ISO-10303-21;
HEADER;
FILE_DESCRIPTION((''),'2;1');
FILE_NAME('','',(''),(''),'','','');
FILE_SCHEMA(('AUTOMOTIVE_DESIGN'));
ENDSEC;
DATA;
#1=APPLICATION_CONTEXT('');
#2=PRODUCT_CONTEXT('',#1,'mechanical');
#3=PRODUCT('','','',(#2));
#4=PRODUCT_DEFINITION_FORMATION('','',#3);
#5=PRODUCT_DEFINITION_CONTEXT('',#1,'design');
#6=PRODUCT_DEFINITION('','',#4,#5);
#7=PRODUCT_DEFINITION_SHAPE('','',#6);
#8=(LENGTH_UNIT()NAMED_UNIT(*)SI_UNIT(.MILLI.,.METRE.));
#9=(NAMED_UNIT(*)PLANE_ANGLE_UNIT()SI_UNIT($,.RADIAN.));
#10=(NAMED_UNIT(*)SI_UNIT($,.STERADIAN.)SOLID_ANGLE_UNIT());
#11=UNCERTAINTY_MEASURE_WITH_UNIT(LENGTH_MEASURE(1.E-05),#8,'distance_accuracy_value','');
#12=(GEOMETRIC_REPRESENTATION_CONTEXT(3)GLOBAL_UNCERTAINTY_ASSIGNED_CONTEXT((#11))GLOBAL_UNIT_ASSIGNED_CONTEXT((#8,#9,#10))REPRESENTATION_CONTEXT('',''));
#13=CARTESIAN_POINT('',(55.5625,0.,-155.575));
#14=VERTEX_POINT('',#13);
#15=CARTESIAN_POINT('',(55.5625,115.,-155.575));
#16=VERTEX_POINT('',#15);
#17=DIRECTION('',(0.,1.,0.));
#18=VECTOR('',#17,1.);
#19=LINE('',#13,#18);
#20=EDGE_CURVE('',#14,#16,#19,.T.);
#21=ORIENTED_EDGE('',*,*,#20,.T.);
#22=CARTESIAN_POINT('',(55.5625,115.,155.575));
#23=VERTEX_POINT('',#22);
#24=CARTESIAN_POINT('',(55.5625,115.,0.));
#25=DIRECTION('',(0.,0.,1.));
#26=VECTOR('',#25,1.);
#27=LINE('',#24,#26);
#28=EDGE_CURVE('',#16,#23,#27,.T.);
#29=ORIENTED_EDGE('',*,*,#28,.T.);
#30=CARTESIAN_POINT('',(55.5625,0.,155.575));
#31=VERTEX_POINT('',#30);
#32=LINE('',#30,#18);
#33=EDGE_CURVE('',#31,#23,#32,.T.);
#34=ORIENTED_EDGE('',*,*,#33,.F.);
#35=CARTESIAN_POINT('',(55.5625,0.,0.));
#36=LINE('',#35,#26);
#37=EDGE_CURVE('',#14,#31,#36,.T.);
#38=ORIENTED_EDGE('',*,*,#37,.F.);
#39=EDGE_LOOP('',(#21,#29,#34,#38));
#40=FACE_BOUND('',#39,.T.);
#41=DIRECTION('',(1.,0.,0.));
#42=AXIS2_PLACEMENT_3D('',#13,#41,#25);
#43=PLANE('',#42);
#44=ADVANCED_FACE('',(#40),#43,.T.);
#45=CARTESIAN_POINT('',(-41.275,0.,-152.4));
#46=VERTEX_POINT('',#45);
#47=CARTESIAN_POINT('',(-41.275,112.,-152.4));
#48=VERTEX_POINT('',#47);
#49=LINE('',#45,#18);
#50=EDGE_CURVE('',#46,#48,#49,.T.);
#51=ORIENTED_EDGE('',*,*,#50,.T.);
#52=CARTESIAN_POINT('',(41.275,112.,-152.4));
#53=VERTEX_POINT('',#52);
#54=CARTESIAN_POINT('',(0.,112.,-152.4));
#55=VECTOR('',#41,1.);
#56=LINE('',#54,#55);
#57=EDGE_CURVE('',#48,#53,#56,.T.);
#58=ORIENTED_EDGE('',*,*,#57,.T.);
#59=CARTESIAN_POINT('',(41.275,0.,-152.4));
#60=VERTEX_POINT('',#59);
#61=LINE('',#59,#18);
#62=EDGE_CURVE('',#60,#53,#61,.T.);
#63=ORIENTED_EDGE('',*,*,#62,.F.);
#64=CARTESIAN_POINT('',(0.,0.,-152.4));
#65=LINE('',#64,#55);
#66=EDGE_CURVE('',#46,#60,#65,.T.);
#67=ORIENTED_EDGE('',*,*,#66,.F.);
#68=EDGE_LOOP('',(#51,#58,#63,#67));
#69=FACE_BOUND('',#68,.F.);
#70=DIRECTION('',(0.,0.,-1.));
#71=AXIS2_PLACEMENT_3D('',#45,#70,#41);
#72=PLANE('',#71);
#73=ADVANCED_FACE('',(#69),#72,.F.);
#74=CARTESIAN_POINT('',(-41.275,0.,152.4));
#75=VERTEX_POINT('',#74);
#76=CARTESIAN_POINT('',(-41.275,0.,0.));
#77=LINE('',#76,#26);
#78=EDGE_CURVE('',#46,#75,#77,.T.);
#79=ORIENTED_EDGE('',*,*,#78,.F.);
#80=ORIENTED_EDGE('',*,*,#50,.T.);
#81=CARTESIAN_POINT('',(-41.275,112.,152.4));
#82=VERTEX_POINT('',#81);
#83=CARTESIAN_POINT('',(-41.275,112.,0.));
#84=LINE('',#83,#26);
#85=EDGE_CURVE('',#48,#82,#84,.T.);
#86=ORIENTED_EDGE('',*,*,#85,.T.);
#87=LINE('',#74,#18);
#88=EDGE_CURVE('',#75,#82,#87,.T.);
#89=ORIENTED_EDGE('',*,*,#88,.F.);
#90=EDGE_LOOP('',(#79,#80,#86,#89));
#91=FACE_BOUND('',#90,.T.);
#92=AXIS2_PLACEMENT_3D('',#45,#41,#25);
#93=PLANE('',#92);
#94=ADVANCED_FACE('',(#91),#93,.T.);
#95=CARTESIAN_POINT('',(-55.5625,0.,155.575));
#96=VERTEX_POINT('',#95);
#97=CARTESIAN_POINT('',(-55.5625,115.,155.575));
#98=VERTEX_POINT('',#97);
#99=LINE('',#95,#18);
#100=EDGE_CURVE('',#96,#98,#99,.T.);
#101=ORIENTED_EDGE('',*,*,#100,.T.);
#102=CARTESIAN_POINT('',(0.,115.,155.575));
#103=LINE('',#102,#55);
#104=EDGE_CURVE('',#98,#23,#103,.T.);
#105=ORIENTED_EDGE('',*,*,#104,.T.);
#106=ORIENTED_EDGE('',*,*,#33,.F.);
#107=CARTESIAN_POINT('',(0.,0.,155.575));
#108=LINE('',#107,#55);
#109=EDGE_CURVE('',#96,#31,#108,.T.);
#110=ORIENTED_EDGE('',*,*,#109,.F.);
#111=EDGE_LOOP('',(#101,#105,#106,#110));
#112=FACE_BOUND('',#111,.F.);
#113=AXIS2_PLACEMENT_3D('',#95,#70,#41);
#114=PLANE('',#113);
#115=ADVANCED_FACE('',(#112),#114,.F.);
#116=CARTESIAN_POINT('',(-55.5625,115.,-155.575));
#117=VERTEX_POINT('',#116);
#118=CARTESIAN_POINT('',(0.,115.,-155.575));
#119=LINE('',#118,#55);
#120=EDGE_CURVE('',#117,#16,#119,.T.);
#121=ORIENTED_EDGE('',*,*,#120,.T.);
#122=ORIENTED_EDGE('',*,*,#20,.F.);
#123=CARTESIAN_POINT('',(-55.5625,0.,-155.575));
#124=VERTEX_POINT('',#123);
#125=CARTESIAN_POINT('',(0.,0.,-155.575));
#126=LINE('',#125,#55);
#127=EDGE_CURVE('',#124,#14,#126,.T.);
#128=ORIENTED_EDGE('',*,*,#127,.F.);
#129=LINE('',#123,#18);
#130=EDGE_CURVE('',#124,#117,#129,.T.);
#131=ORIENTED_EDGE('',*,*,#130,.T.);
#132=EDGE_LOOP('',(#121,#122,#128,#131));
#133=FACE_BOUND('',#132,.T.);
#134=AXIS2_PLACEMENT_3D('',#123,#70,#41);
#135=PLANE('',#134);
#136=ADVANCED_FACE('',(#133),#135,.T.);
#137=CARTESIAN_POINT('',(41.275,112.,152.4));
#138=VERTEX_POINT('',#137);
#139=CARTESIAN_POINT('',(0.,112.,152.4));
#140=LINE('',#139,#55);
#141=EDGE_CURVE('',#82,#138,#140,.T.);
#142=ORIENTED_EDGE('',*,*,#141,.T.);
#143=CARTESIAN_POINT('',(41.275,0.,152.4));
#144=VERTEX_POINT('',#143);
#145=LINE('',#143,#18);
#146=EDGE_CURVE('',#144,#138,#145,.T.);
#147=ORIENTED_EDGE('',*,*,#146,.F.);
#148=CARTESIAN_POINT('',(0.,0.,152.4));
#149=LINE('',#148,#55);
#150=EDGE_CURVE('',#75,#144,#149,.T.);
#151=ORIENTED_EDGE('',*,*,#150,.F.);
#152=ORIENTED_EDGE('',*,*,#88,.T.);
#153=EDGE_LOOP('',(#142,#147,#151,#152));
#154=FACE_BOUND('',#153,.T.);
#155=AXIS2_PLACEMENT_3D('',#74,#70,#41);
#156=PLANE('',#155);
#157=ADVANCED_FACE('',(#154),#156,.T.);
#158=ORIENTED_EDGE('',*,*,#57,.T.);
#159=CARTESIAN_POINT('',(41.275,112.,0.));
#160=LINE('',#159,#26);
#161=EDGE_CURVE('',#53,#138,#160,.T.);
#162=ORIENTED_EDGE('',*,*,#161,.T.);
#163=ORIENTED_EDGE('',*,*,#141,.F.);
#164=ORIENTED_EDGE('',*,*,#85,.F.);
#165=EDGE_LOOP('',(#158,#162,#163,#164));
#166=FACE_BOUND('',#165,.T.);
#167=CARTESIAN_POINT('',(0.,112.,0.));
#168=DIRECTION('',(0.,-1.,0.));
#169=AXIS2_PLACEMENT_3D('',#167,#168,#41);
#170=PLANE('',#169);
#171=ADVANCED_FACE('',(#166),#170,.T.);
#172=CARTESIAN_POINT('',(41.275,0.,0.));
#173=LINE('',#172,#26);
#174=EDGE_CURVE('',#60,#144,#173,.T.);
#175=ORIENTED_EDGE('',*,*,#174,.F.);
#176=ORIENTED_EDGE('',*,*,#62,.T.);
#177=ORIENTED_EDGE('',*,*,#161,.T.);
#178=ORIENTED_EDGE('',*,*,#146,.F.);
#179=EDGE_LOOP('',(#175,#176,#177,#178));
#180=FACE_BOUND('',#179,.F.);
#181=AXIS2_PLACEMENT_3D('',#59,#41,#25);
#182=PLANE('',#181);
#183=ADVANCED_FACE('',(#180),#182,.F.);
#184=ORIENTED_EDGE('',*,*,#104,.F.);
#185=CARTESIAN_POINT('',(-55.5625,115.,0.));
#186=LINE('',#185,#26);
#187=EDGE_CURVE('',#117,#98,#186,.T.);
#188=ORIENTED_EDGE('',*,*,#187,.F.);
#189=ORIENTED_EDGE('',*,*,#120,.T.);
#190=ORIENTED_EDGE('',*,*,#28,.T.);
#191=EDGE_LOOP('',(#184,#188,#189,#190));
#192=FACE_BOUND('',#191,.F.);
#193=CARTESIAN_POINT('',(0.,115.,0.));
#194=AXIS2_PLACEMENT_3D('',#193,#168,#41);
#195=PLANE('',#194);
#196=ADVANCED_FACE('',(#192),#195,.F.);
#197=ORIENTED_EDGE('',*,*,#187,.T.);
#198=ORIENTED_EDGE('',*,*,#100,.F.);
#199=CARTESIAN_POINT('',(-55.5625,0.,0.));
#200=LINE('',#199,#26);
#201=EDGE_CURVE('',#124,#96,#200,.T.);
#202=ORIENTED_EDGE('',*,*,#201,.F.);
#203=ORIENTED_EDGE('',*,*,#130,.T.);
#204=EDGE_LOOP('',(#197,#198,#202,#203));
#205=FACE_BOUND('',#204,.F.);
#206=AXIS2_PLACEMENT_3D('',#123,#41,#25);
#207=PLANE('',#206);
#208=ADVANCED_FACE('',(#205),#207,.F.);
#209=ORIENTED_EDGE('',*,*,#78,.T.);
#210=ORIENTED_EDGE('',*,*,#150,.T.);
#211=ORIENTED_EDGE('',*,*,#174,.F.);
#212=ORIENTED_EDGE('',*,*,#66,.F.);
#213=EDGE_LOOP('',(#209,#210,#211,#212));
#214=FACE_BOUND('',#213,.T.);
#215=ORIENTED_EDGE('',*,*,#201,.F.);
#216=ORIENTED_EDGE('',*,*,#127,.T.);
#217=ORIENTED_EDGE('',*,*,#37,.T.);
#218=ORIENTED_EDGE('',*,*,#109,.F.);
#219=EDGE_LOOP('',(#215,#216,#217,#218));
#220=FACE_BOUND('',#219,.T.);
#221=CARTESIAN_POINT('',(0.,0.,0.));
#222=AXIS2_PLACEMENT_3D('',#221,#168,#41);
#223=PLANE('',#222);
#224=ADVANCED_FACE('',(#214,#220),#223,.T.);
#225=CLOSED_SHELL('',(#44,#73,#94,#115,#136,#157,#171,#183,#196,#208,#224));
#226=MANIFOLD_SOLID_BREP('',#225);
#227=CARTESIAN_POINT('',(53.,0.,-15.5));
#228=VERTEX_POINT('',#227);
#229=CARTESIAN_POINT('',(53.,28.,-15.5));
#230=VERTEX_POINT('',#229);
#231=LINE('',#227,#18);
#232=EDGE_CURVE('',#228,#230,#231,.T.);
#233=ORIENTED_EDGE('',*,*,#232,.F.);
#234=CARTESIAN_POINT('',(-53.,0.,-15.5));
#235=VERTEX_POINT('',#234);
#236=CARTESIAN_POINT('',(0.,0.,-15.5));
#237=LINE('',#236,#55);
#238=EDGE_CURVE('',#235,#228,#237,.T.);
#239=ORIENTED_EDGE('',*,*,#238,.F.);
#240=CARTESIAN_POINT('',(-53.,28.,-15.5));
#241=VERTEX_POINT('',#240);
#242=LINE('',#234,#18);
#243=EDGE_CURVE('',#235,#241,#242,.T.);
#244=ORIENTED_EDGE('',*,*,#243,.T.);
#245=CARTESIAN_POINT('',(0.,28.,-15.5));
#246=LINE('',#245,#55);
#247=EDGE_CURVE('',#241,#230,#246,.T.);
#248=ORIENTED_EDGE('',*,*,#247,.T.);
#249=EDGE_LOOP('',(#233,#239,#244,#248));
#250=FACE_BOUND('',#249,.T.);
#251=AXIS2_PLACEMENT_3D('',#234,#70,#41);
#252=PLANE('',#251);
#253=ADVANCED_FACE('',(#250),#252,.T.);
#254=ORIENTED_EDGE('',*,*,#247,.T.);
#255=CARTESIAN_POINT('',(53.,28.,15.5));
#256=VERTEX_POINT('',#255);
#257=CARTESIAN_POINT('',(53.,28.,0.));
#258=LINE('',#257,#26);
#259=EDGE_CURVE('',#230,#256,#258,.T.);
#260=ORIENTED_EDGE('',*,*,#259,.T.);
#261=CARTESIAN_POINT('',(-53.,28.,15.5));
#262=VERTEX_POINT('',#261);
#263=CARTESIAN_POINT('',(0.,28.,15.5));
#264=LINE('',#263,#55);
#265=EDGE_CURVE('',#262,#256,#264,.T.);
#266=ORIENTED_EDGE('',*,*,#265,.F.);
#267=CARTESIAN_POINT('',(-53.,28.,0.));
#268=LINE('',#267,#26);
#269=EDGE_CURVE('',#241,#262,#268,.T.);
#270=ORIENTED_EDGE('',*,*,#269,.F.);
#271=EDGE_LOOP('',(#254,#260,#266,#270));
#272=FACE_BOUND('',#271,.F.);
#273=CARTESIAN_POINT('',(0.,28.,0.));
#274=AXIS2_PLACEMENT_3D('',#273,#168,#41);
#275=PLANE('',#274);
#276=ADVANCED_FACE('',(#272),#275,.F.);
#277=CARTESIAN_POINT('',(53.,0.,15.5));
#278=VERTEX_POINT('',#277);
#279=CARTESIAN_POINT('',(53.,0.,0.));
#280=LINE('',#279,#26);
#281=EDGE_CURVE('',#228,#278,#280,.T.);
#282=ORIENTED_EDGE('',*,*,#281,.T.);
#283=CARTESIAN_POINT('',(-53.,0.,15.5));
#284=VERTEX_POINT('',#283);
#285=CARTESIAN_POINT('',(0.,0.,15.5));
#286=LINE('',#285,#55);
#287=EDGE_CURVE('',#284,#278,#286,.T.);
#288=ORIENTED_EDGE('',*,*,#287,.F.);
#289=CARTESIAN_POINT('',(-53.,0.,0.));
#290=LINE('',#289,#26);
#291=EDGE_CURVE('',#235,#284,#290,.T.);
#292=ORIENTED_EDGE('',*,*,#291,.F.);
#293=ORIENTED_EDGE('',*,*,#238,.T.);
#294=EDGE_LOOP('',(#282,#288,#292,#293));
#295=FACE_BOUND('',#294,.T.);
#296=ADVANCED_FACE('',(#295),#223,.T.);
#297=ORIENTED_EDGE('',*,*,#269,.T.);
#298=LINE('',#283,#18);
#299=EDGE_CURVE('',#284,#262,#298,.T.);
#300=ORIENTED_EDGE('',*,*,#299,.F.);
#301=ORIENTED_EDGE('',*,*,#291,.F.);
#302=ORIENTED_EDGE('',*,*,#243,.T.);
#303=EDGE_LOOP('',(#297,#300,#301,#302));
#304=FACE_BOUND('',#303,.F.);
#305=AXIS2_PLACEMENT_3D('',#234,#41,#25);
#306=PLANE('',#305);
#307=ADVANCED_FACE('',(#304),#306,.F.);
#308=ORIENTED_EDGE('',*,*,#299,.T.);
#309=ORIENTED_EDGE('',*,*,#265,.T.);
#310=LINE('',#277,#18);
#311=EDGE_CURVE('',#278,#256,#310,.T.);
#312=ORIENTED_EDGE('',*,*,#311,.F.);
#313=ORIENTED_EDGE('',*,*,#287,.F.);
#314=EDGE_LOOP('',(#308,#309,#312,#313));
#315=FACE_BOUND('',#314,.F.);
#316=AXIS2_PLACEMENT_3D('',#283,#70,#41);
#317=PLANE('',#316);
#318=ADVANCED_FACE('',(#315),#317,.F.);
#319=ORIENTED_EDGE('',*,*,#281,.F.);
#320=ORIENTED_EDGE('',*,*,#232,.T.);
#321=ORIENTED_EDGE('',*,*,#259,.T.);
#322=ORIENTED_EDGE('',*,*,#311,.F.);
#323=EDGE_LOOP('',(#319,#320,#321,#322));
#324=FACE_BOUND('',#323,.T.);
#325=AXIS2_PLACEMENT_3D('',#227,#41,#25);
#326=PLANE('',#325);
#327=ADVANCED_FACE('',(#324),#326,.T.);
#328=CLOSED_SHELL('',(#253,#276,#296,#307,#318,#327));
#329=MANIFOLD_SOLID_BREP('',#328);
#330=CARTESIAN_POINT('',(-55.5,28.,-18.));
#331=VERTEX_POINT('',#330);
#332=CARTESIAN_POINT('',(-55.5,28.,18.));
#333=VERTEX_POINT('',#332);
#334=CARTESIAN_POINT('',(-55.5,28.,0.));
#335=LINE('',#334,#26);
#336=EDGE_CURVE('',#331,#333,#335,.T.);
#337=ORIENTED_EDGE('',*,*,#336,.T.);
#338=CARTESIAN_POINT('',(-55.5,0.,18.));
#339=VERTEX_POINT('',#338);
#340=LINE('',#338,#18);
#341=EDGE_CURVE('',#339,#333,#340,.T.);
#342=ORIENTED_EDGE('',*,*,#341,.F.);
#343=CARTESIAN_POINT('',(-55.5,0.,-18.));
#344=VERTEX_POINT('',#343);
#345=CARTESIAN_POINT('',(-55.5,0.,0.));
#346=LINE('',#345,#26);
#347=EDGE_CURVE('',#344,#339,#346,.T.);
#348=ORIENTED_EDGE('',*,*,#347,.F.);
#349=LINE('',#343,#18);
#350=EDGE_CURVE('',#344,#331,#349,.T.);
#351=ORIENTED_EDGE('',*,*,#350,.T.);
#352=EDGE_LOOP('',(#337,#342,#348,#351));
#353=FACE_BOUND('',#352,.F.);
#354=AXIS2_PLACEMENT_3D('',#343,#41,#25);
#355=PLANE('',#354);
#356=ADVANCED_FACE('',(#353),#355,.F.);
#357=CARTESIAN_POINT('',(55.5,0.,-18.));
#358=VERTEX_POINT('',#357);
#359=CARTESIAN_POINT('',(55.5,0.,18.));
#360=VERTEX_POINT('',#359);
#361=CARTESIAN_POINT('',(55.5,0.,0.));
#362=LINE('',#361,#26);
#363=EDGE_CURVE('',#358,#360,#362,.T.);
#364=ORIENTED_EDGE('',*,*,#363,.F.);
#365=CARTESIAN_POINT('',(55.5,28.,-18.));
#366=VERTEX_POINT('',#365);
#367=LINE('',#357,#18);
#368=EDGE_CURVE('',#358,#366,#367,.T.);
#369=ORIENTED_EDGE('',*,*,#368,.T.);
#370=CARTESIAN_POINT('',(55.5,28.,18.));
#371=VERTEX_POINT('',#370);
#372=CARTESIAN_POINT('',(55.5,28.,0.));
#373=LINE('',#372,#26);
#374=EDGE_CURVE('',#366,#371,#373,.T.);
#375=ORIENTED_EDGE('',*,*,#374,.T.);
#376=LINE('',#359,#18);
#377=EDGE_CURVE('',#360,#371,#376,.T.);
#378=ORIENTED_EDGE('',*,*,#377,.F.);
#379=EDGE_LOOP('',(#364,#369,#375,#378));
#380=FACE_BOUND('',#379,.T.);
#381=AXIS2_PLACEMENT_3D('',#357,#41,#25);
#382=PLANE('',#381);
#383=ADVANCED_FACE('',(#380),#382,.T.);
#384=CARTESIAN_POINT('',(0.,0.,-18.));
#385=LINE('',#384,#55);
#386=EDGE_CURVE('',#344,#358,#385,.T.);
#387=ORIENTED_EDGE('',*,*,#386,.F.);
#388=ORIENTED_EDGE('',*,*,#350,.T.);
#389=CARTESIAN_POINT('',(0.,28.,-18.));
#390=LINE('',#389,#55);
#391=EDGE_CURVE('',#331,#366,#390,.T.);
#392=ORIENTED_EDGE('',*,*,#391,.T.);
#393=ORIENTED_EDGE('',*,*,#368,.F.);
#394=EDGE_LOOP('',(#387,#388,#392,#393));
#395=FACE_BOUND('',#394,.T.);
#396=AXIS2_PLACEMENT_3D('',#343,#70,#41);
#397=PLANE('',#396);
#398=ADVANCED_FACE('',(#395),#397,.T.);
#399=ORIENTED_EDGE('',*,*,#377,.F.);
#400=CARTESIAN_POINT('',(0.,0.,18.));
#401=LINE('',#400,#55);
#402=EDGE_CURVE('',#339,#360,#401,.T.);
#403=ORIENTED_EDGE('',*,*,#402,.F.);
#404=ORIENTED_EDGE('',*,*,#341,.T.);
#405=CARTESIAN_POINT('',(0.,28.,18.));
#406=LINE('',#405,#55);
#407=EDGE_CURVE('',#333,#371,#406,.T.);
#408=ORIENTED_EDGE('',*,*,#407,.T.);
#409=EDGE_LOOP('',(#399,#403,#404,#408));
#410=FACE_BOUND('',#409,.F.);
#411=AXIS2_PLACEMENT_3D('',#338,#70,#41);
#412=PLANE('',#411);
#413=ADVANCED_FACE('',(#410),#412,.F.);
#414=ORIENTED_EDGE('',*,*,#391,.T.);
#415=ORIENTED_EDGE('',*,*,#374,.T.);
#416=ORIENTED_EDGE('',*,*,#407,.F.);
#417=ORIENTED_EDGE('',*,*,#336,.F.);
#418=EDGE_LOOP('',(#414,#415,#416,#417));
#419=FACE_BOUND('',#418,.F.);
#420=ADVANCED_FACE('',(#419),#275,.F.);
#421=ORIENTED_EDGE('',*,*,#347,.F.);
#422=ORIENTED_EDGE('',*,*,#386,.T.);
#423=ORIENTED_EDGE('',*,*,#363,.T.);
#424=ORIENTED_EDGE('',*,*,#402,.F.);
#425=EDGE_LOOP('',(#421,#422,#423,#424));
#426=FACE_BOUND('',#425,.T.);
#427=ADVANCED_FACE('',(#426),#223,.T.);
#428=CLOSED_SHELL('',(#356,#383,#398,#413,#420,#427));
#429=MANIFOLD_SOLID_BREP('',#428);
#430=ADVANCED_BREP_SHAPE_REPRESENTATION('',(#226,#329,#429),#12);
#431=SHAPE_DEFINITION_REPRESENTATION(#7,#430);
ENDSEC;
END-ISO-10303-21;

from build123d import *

# Parameters (mm, degrees)
F0_W     = 111.125
F0_H     = 311.15
F2_DEPTH = 115
F1_W     = 82.55
F1_H     = 304.8
F3_DEPTH = 112
F4_W     = 111
F4_H     = 36
F5_DEPTH = 28
F6_W     = 106
F6_H     = 31
F7_DEPTH = 28


with BuildPart() as f2:
    # F0 (on Front) → F2 (new body)
    with BuildSketch(Plane.XZ):
        Rectangle(F0_W, F0_H)
    extrude(amount=-F2_DEPTH)


with BuildPart() as f2b:
    # F1 (on Front) → F2, piece 2 (new body)
    with BuildSketch(Plane.XZ):
        Rectangle(F1_W, F1_H)
    extrude(amount=-F2_DEPTH)


with BuildPart() as f3_tool:
    # F1 (on Front) → F3 (new body)
    with BuildSketch(Plane.XZ):
        Rectangle(F1_W, F1_H)
    extrude(amount=-F3_DEPTH)


with BuildPart() as f2_1:
    add(f2.part)

    # F3: cut by f3_tool
    add(f3_tool.part, mode=Mode.SUBTRACT)


with BuildPart() as f2b_1:
    add(f2b.part)

    # F3: cut by f3_tool
    add(f3_tool.part, mode=Mode.SUBTRACT)


with BuildPart() as f5:
    # F4 (on Front) → F5 (new body)
    with BuildSketch(Plane.XZ):
        Rectangle(F4_W, F4_H)
    extrude(amount=-F5_DEPTH)


with BuildPart() as f7:
    # F6 (on Front) → F7 (new body)
    with BuildSketch(Plane.XZ):
        Rectangle(F6_W, F6_H)
    extrude(amount=-F7_DEPTH)


solid = Compound([f2_1.part, f5.part, f7.part])
